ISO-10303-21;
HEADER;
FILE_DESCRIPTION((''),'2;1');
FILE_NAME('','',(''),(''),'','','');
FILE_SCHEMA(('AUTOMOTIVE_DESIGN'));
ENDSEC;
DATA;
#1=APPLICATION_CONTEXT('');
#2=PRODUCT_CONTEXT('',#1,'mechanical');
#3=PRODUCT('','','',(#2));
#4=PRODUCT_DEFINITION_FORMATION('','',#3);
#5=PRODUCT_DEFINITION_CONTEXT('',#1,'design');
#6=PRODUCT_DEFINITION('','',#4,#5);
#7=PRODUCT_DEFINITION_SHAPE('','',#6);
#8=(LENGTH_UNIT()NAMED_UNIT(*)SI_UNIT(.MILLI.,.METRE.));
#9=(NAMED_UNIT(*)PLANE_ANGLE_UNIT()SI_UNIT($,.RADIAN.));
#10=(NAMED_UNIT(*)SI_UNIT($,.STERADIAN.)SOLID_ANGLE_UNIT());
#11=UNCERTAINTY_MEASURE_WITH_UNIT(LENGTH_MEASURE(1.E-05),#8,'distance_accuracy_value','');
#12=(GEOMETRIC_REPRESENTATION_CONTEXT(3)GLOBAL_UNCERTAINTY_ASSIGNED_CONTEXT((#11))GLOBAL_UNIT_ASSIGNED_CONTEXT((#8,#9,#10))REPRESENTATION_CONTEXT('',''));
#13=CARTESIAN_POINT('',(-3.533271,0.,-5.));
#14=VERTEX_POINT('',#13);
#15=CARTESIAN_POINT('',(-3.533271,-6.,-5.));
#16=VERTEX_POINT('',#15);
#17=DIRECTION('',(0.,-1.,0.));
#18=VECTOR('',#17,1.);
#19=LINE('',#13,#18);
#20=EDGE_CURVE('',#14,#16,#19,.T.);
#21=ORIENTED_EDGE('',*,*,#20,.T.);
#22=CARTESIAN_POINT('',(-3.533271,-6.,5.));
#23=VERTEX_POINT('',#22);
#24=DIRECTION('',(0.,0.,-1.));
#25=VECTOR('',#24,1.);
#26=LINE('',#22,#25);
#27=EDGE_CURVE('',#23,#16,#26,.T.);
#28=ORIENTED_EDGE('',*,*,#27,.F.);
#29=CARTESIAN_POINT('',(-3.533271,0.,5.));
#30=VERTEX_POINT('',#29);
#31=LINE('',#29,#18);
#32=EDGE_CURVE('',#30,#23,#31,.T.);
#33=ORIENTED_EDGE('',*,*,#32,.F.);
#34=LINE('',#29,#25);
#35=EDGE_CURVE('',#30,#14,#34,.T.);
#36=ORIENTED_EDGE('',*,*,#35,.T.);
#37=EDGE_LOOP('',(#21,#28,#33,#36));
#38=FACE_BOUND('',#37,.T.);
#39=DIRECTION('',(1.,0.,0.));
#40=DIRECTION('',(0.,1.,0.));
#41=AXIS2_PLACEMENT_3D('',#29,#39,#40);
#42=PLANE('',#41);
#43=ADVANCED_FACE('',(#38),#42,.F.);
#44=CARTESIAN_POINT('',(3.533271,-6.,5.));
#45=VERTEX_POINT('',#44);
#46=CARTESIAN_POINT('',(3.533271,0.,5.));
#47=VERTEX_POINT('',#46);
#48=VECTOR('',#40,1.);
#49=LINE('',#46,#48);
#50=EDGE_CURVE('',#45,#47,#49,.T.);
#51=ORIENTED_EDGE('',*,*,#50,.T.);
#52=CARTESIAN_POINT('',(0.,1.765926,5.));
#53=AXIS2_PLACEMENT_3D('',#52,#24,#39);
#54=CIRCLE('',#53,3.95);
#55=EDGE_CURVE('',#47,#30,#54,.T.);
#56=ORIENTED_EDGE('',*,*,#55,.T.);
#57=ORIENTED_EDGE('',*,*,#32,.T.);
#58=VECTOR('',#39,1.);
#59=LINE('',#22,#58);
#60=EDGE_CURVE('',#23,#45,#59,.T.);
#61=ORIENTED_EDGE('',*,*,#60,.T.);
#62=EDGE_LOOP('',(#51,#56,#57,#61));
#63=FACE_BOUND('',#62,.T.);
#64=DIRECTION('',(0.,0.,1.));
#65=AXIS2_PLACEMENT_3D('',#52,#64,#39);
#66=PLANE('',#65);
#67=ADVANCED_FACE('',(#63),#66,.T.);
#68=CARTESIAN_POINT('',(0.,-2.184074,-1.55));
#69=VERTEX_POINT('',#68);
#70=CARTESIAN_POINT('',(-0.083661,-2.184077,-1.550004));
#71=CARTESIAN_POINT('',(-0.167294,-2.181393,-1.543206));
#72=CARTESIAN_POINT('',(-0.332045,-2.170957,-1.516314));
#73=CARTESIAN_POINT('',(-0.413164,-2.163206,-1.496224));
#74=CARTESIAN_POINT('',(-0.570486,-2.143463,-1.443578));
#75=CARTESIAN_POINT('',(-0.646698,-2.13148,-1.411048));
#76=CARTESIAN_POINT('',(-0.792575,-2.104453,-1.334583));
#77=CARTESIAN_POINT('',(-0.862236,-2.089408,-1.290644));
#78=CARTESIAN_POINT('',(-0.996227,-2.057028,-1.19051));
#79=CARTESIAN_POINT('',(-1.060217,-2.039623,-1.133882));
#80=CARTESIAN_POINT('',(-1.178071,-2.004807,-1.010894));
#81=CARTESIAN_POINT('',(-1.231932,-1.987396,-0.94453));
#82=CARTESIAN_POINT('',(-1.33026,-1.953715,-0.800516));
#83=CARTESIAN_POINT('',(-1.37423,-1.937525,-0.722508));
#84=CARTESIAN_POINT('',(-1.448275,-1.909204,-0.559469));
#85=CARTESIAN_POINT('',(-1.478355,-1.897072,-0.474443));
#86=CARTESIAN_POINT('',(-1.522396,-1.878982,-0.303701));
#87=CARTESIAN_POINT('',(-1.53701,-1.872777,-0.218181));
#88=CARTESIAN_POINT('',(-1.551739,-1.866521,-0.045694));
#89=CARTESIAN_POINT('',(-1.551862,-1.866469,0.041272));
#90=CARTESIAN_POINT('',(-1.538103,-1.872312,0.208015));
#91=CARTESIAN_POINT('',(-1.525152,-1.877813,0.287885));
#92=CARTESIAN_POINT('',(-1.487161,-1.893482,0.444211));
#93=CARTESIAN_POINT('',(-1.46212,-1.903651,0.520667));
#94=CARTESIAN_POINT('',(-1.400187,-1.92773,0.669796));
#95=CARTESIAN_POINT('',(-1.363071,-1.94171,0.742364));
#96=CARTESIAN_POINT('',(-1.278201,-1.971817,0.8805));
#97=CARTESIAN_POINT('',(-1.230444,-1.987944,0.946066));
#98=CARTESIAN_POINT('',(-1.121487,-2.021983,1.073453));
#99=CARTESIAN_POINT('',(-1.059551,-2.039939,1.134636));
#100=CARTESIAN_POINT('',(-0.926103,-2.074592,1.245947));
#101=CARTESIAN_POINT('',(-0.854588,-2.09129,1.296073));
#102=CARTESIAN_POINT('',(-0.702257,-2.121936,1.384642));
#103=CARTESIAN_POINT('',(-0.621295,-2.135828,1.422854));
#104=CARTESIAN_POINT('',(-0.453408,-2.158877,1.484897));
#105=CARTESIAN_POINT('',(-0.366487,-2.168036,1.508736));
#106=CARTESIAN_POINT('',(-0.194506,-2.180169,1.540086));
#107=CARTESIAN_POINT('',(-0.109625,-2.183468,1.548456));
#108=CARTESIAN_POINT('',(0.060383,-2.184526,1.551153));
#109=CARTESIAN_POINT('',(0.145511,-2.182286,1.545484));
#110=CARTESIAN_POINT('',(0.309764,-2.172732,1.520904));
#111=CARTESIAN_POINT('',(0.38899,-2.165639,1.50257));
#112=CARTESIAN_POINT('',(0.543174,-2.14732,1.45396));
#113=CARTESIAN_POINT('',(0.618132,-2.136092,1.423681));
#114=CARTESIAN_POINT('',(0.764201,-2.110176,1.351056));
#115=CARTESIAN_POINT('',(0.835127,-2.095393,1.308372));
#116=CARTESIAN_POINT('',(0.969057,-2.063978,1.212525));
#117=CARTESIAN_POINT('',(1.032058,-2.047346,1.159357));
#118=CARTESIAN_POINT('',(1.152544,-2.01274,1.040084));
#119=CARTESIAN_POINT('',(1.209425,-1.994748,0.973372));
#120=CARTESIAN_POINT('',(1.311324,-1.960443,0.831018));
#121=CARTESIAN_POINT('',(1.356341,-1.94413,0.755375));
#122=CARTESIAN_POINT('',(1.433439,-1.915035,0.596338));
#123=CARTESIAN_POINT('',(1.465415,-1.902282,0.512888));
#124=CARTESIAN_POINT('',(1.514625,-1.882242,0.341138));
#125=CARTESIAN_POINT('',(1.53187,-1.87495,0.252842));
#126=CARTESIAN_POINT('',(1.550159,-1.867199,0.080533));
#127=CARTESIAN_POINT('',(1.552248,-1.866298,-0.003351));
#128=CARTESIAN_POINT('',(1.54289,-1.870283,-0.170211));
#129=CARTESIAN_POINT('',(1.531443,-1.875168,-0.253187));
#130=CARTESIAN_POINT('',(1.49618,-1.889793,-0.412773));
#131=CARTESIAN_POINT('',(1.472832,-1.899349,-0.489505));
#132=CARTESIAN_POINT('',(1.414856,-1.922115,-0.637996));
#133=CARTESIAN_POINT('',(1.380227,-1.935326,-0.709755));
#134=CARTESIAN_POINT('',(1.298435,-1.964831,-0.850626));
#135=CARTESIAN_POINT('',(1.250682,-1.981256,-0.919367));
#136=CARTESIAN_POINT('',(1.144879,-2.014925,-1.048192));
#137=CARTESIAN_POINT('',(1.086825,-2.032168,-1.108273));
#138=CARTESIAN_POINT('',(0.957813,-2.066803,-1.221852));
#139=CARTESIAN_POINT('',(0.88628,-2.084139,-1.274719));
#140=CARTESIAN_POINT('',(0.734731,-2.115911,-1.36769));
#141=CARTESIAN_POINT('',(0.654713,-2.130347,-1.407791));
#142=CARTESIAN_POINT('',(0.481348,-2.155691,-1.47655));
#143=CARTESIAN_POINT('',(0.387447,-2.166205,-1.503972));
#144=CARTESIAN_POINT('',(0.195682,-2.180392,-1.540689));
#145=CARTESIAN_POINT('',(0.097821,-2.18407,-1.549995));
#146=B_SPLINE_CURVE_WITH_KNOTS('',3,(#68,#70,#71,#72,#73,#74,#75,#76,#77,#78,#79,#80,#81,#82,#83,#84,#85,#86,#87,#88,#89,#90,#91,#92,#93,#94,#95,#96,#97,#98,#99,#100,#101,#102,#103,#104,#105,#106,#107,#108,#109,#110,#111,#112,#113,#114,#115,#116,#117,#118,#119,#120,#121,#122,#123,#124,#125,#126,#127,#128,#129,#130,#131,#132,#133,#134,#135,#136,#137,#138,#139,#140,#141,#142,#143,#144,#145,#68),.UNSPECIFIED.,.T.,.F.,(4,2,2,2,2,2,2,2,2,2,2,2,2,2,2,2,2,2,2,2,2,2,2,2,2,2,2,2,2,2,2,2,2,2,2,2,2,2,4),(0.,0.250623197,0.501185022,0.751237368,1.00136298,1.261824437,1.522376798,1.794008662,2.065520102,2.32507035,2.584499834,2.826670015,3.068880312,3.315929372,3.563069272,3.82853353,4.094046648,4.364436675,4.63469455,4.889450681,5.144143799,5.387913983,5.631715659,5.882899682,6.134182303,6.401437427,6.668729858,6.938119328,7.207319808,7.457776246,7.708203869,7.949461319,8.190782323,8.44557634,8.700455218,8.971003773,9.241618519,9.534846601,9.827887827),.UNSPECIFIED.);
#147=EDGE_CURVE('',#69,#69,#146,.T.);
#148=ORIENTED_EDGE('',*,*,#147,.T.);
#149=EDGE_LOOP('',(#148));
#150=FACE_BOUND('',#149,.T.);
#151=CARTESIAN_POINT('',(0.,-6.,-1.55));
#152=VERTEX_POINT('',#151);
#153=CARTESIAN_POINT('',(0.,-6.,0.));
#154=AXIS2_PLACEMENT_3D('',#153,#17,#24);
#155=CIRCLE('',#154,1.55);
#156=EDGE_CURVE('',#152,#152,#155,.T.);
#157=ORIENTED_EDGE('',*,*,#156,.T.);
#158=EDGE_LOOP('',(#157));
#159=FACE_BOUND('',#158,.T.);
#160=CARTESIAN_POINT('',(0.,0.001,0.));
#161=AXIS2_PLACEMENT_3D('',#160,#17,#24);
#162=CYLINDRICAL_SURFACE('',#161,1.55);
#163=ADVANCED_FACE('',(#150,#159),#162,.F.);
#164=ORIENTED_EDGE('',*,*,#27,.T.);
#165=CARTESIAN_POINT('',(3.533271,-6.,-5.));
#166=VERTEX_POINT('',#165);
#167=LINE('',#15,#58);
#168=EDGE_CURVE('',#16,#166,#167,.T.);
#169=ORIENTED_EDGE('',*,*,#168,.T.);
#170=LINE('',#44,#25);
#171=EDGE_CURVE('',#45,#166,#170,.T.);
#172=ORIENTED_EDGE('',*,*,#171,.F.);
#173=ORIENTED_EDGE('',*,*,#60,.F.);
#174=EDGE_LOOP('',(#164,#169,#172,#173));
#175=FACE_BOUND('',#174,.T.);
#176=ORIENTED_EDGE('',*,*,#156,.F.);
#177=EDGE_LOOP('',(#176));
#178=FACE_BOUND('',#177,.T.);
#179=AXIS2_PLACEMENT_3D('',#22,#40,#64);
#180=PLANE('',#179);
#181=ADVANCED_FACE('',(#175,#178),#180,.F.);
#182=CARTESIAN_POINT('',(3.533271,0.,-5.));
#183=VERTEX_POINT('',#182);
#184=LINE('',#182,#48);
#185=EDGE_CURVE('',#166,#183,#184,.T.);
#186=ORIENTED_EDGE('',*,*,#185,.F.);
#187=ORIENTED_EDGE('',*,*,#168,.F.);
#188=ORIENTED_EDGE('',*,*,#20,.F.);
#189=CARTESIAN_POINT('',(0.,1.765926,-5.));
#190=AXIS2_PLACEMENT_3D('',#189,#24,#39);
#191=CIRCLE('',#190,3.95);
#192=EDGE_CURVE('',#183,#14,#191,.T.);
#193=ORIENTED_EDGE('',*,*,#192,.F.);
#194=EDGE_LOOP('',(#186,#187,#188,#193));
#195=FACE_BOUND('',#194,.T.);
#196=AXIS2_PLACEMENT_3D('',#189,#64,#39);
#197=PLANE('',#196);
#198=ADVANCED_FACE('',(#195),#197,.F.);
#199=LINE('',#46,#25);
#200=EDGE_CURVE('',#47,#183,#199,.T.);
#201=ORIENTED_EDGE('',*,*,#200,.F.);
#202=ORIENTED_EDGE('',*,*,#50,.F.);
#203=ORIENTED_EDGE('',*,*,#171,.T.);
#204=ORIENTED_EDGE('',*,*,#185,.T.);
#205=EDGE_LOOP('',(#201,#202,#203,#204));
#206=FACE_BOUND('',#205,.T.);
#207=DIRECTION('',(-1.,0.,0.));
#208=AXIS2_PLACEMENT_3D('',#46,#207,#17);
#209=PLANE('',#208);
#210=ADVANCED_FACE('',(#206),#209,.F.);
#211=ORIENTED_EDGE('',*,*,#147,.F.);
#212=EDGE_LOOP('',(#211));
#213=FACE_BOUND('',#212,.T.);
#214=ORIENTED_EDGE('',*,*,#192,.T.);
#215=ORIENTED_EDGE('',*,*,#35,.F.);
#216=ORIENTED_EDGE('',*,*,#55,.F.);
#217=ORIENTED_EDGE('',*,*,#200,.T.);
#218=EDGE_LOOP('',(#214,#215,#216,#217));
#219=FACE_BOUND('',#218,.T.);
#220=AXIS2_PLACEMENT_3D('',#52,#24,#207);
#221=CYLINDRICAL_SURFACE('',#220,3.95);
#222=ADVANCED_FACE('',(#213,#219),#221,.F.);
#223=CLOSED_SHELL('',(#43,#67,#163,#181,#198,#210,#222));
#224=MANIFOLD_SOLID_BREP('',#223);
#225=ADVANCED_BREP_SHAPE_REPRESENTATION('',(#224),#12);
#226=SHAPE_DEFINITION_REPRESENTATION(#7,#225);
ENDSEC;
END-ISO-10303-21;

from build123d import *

# Parameters (mm, degrees)
BOSS_EXTRUDE1_DEPTH     = 5
CUT_EXTRUDE1_REACH      = 10.572
CUT_EXTRUDE1_END_RADIUS = 3.95
SKETCH2_R               = 1.55


with BuildPart() as part:
    # Sketch1 → Boss-Extrude1 (new, symmetric)
    with BuildSketch(Plane.XY):
        with BuildLine():
            Line((-3.533271058, -6), (3.533271058, -6))
            Line((3.533271058, -6), (3.533271058, 0))
            ThreePointArc((3.533271058, 0), (0, -2.184073719), (-3.533271058, 0))
            Line((-3.533271058, 0), (-3.533271058, -6))
        make_face()
    extrude(amount=BOSS_EXTRUDE1_DEPTH, both=True)

    # Cut-Extrude1: up to this cylinder (the profile starts outside it)
    cut_extrude1_end = Plane(origin=(0, 1.765926281, 0), z_dir=(0, 0, -1)) * Cylinder(CUT_EXTRUDE1_END_RADIUS, 30.044, mode=Mode.PRIVATE)
    # Sketch2 → Cut-Extrude1 (cut, up to the surface)
    with BuildSketch(Plane(origin=(0, -6, 0), x_dir=(-1, 0, 0), z_dir=(0, -1, 0)), mode=Mode.PRIVATE) as cut_extrude1_sk1:
        with Locations(Location((0, 0, 0), (0, 0, 90))):
            Circle(SKETCH2_R)
    cut_extrude1_tool1 = extrude(cut_extrude1_sk1.sketch, amount=-CUT_EXTRUDE1_REACH, mode=Mode.PRIVATE) - cut_extrude1_end
    add(cut_extrude1_tool1.solids().sort_by_distance((0, -6, 0))[0], mode=Mode.SUBTRACT)


solid = part.part
